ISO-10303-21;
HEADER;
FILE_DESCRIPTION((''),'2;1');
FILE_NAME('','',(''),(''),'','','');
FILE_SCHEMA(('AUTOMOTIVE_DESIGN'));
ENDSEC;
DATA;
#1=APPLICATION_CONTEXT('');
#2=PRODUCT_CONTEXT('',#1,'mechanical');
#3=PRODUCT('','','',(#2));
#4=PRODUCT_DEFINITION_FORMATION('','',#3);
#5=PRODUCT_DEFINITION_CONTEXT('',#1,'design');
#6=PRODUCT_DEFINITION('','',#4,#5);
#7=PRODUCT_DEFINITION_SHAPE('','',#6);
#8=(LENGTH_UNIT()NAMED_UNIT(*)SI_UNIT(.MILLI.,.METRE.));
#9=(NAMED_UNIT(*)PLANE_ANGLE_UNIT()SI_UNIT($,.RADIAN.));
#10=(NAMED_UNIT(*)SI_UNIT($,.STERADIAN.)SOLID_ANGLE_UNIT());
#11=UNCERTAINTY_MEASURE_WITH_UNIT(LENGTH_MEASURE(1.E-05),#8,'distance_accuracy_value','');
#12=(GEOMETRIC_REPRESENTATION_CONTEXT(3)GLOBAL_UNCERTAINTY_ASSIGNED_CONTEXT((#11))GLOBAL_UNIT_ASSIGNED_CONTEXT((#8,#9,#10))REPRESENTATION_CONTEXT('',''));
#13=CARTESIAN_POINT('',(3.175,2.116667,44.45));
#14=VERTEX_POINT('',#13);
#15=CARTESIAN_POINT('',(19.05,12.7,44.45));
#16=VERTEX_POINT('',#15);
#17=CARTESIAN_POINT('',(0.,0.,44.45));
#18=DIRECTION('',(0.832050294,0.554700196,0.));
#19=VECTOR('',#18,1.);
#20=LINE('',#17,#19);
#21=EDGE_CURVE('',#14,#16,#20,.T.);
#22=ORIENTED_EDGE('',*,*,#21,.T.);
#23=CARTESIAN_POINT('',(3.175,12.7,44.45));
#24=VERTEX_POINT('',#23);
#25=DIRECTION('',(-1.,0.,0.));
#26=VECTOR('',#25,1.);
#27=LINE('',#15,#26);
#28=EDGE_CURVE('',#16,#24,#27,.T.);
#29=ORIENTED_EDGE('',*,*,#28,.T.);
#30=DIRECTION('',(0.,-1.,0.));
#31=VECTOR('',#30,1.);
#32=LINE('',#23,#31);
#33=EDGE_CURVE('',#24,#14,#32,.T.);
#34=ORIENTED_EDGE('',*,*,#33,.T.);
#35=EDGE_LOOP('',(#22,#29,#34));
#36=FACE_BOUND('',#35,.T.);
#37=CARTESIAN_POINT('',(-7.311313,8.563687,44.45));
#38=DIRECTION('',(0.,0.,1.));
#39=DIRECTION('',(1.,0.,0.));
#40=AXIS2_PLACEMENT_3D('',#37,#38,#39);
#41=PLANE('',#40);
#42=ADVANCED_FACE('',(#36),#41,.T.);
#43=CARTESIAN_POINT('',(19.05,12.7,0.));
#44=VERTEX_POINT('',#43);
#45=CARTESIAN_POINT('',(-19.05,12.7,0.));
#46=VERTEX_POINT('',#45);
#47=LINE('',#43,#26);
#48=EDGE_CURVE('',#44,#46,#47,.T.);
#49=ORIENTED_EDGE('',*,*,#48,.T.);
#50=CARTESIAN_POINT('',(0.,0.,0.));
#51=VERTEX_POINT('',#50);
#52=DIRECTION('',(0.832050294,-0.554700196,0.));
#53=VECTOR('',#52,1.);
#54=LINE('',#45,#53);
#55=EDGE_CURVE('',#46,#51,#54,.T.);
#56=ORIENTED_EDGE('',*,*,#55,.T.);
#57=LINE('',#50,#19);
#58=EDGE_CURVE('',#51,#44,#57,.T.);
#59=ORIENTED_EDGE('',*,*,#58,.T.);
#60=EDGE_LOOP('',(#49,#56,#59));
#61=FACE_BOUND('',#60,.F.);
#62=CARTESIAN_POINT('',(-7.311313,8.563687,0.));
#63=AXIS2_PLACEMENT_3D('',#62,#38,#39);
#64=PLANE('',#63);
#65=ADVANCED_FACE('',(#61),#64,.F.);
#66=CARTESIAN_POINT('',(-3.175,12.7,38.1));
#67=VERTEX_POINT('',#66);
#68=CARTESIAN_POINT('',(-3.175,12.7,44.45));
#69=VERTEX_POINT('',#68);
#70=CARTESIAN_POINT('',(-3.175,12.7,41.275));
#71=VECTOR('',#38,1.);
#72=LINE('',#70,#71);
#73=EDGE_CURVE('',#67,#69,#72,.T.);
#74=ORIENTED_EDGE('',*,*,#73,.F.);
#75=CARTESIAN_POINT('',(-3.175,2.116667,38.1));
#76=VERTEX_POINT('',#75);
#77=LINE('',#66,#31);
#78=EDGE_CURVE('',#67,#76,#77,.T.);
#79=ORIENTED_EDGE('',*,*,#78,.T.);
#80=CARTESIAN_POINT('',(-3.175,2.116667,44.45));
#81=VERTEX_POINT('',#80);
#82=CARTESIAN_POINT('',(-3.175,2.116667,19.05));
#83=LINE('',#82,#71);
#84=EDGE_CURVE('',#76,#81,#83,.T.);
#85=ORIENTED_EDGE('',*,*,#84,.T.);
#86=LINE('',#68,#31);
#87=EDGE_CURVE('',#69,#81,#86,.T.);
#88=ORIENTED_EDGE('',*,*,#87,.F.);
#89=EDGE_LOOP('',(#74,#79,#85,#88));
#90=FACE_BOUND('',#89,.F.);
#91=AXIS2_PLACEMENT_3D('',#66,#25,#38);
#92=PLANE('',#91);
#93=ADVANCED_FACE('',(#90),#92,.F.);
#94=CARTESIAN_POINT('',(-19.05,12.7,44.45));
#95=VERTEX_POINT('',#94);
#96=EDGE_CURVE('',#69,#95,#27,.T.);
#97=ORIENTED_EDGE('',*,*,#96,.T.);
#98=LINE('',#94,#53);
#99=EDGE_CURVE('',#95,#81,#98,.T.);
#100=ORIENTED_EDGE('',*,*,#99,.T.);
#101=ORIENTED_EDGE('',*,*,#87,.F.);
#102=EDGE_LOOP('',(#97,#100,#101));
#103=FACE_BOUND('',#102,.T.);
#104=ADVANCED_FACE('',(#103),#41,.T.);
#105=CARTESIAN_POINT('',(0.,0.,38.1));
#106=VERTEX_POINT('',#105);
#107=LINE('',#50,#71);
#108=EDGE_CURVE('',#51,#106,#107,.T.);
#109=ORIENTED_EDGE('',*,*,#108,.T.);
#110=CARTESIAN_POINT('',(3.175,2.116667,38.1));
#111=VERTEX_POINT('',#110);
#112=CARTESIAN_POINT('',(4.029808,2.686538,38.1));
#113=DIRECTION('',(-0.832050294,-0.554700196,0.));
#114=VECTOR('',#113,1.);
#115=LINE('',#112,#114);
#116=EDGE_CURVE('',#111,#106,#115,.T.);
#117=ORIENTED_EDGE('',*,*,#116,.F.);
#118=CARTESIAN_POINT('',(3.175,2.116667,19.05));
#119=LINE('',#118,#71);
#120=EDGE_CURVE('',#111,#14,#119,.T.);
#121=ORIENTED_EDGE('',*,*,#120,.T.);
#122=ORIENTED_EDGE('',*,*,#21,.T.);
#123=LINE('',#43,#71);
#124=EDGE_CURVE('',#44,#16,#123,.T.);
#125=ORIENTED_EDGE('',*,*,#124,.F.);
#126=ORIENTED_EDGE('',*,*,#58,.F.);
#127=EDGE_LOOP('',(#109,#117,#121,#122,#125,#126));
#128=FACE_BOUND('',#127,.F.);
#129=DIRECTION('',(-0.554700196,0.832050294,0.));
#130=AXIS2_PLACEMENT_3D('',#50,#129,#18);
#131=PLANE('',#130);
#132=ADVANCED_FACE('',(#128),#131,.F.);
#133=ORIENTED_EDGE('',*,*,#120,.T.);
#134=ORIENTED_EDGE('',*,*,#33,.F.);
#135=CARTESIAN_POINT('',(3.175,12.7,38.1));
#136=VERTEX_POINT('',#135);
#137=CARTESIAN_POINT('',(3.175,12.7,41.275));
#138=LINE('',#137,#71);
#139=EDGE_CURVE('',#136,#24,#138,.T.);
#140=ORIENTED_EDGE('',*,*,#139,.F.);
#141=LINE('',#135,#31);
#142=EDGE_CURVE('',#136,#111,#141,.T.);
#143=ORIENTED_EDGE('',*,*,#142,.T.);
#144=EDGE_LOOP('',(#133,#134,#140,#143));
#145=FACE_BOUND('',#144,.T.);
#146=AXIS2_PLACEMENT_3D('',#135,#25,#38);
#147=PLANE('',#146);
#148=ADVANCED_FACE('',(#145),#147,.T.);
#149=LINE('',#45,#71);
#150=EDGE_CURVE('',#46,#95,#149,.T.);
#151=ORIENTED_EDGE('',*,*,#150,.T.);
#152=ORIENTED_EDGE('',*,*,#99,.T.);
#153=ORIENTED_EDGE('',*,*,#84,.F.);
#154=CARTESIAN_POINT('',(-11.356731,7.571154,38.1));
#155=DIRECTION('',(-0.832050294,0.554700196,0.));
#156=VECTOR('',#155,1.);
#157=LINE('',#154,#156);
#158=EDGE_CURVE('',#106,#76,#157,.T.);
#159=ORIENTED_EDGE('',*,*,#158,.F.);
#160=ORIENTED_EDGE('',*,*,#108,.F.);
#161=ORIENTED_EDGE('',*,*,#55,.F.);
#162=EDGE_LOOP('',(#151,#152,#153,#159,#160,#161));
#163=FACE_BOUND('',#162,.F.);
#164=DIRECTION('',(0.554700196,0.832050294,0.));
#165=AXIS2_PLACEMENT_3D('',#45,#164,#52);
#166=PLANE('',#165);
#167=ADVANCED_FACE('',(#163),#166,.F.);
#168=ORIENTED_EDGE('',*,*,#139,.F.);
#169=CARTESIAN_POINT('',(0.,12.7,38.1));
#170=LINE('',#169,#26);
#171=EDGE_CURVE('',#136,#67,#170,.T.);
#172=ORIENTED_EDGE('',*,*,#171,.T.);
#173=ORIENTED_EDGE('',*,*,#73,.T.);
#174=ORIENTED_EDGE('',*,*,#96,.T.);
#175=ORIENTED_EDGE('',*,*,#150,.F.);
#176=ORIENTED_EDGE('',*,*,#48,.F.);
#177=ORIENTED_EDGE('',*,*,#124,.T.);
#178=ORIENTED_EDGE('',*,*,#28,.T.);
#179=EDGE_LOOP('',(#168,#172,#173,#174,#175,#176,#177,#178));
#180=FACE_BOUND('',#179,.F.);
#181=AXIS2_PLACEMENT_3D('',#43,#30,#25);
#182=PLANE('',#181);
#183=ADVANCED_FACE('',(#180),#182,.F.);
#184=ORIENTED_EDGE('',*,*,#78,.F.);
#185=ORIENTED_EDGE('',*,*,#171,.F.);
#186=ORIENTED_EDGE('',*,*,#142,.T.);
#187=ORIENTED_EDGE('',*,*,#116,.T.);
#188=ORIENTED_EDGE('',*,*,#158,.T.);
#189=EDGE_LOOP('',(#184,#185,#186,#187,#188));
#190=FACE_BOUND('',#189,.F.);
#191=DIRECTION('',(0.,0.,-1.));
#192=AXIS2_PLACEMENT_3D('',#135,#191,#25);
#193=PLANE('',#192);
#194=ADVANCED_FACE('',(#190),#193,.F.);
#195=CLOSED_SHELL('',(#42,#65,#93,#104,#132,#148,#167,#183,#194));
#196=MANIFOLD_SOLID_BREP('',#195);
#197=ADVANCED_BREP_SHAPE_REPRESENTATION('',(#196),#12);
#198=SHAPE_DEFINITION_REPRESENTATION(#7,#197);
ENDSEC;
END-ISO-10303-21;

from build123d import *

# Parameters (mm, degrees)
F1_DEPTH = 44.45
F2_W     = 6.35
F2_H     = 6.35
F3_DEPTH = 25.4


with BuildPart() as f1:
    # F0 (on Top) → F1 (new body)
    with BuildSketch(Plane.XY):
        Polygon((-19.05, 12.7), (0, 0), (0, 12.7), (-12.7, 12.7), align=None)
        Polygon((0, 12.7), (0, 0), (19.05, 12.7), (12.7, 12.7), align=None)
    extrude(amount=F1_DEPTH)

    # F2 (on face) → F3 (cut)
    with BuildSketch(Plane(origin=(0, 12.7, 0), x_dir=(-1, 0, 0), z_dir=(0, 1, 0))):
        with Locations((0, 41.275)):
            Rectangle(F2_W, F2_H)
    extrude(amount=-F3_DEPTH, mode=Mode.SUBTRACT)


solid = f1.part
